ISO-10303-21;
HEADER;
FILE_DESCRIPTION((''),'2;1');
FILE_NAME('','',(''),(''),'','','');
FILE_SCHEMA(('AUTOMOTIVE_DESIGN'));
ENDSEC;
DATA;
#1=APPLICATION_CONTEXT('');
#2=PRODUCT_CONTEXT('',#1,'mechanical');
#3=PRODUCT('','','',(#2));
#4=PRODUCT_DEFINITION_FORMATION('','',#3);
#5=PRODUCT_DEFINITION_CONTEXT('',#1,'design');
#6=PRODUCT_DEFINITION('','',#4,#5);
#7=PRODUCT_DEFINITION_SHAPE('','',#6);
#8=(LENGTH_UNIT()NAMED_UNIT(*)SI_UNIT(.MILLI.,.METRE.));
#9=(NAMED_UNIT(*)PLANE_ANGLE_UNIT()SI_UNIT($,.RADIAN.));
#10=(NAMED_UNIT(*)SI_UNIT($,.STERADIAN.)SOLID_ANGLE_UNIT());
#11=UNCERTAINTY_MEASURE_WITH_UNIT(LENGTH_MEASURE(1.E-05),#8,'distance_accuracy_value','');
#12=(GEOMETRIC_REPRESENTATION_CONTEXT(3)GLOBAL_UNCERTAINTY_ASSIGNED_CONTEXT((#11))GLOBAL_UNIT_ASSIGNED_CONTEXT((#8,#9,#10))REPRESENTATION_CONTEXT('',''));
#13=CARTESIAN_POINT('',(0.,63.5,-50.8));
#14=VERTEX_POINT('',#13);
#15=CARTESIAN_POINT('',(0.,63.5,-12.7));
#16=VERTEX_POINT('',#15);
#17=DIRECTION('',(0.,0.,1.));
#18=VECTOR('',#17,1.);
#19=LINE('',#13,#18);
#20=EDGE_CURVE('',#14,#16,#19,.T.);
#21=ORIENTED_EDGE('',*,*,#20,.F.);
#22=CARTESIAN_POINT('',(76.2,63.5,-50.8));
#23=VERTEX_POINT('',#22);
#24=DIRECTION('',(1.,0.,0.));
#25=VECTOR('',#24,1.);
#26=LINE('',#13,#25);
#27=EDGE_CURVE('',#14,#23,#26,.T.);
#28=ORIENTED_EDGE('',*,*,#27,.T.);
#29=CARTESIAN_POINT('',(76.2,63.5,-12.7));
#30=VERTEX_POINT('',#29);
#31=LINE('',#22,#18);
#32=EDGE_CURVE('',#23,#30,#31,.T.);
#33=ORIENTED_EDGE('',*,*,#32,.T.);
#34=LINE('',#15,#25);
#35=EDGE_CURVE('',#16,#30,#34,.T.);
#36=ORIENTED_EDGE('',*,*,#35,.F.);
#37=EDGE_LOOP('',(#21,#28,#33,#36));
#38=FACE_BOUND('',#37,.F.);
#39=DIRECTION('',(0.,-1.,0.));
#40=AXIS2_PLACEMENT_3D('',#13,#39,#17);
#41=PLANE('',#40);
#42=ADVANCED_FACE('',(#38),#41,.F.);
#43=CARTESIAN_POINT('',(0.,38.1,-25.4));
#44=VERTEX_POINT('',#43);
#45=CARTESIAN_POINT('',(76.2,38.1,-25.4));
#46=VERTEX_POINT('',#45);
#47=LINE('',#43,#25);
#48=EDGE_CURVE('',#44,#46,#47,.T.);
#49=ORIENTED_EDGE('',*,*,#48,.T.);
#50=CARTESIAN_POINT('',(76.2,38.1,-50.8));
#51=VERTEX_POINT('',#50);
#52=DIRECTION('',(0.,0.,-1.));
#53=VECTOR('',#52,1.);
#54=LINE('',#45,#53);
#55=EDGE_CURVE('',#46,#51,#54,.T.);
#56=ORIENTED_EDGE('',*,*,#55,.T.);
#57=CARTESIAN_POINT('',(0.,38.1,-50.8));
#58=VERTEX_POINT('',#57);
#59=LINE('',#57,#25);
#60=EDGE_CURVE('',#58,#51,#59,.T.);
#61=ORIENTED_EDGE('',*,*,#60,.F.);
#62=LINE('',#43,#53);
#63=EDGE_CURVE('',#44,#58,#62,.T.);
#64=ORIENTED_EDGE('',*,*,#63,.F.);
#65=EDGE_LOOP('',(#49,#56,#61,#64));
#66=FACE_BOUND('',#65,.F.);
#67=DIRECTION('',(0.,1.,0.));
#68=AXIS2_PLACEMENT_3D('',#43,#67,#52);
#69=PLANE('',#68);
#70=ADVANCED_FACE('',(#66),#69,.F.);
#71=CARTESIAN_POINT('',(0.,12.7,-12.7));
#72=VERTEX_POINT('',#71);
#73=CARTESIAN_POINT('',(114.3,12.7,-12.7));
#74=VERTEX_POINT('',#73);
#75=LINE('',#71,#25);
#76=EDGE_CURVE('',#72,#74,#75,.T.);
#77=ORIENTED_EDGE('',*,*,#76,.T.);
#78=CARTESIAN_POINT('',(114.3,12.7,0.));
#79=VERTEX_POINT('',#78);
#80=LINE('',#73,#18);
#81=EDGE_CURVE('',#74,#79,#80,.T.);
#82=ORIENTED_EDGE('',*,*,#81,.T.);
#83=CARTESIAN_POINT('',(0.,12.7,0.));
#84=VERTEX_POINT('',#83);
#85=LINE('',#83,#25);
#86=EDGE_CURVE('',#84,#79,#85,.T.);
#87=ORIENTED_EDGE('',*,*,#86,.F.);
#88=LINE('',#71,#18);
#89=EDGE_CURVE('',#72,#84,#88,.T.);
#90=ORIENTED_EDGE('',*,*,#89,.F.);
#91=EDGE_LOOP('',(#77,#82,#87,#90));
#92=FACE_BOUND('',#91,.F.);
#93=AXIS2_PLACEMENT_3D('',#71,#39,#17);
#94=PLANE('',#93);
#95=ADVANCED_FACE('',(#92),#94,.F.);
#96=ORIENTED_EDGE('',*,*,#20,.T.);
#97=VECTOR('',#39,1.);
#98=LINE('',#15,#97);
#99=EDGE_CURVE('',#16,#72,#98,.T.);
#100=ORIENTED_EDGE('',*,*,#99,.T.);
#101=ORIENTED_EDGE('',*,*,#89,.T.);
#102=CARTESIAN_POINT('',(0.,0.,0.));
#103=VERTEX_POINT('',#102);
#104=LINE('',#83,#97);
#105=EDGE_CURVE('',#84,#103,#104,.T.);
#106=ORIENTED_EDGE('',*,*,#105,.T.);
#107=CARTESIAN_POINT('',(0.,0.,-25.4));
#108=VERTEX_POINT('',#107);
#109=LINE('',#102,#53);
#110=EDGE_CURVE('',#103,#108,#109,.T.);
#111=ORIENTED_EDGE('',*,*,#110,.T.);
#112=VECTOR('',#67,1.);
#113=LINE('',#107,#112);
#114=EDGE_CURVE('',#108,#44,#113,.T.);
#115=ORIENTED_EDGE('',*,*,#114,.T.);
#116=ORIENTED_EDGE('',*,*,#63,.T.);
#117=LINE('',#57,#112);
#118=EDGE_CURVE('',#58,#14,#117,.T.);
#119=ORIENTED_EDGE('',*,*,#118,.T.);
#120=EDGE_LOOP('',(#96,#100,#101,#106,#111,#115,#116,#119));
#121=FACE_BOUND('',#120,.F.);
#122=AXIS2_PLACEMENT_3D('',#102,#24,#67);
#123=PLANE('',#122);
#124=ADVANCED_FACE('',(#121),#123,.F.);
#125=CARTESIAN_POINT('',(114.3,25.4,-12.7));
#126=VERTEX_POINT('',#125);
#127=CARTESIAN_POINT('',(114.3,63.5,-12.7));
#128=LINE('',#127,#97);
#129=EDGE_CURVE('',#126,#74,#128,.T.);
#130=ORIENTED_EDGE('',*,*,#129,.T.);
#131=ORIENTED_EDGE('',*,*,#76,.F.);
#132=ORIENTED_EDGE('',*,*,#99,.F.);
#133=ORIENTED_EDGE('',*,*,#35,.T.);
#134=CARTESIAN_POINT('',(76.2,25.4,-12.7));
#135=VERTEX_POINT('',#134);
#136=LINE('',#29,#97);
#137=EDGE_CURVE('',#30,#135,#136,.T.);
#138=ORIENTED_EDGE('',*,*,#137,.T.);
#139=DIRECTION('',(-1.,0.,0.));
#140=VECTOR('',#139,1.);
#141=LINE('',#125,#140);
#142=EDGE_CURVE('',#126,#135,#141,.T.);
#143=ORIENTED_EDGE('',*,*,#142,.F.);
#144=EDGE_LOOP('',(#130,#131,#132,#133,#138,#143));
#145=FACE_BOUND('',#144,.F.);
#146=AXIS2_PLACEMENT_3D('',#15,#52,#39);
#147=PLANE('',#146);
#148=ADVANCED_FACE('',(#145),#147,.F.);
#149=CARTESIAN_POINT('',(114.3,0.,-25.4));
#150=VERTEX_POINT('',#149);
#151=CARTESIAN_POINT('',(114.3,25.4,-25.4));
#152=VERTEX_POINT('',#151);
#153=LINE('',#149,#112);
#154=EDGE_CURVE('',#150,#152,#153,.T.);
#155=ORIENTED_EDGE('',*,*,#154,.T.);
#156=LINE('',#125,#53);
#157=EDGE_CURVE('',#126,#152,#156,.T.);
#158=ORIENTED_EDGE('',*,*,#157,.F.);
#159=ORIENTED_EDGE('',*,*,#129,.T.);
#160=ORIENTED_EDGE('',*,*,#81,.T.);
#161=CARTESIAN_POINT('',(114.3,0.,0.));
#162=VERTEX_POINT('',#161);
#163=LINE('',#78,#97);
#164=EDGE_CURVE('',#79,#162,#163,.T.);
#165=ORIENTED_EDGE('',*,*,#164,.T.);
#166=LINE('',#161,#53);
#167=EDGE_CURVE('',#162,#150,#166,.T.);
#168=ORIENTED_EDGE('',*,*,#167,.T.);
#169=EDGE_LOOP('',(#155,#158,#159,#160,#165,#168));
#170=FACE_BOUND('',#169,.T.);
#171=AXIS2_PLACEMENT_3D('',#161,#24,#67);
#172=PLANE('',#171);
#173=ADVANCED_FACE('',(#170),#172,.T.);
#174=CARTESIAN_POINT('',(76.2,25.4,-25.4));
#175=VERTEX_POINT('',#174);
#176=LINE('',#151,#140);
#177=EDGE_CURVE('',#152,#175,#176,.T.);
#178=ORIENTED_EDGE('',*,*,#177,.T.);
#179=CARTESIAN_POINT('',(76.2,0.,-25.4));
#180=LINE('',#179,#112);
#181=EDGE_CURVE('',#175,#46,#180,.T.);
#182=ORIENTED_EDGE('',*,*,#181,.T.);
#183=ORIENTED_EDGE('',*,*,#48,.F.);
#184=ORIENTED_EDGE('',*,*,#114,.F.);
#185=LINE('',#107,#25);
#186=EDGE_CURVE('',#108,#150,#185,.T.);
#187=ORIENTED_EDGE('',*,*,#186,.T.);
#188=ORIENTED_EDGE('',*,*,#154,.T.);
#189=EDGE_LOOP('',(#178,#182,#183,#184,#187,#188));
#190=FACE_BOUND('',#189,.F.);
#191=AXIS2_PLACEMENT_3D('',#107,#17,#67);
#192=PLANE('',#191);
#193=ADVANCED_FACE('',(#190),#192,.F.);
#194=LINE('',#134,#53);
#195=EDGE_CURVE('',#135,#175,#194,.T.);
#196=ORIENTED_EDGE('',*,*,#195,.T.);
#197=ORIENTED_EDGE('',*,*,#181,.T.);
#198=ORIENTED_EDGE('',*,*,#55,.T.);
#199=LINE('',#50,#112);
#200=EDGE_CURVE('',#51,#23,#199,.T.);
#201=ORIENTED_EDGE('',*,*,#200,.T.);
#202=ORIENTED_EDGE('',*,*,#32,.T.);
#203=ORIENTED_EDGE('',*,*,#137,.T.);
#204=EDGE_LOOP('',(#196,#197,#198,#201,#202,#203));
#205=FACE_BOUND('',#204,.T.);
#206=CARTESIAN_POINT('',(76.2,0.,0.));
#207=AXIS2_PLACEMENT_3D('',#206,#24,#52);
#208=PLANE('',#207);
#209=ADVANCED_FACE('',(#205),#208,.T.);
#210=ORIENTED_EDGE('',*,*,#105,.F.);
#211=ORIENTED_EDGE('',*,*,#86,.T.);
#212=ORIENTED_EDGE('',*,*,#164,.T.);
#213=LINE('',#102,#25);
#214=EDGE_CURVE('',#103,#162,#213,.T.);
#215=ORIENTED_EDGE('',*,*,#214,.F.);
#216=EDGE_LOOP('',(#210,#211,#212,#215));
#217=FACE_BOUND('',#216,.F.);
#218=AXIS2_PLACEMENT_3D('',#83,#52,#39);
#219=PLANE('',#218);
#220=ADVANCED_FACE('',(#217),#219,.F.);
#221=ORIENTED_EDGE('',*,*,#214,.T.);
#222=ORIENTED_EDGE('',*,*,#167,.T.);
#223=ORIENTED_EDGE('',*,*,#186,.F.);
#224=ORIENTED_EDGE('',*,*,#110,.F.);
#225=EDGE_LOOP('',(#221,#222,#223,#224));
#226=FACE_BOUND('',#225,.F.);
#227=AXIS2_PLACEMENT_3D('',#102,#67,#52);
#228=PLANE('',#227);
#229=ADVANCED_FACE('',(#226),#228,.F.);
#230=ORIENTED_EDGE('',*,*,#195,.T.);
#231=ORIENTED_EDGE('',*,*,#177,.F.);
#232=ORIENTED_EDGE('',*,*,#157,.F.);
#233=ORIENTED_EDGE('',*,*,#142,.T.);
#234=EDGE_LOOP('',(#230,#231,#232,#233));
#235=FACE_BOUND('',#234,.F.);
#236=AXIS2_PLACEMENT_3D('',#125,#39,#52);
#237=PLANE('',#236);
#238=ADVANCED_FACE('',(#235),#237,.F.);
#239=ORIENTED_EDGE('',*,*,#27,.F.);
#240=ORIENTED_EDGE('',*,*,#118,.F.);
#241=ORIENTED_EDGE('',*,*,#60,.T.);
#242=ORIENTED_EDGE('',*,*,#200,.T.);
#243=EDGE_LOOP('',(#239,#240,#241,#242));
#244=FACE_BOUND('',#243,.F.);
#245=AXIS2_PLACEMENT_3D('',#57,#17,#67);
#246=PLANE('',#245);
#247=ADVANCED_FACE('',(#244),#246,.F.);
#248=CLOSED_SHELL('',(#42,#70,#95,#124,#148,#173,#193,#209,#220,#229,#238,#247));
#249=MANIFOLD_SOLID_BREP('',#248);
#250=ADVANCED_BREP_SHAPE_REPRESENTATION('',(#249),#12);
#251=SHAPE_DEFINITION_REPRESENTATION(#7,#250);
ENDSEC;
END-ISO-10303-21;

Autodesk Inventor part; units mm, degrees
ref_plane "YZ Plane" through (0, 0, 0) normal (1, 0, 0) x (0, 1, 0)
ref_plane "XZ Plane" through (0, 0, 0) normal (0, 1, 0) x (-1, 0, 0)
ref_plane "XY Plane" through (0, 0, 0) normal (0, 0, 1) x (1, 0, 0)
sketch "Sketch1" plane through (0, 0, 0) normal (1, 0, 0) x (0, 1, 0)
  line L0 (0, 0) -> (0, -25.4)
  line L1 (0, -25.4) -> (38.1, -25.4)
  line L2 (38.1, -25.4) -> (38.1, -50.8)
  line L3 (38.1, -50.8) -> (63.5, -50.8)
  line L4 (63.5, -50.8) -> (63.5, -12.7)
  line L5 (63.5, -12.7) -> (12.7, -12.7)
  line L6 (12.7, -12.7) -> (12.7, 0)
  line L7 (12.7, 0) -> (0, 0)
  dimension "d0" = 25.4
  dimension "d1" = 38.1
  dimension "d2" = 25.4
  dimension "d3" = 25.4
  dimension "d4" = 38.1
  dimension "d5" = 50.8
extrude "Extrusion1" add sketch "Sketch1" along normal blind 114.3
sketch "Sketch2" plane through (114.3, 0, 0) normal (1, 0, 0) x (0, 0, -1)
  line L0 (50.8, 38.1) -> (50.8, 63.5) projected
  line L1 (50.8, 38.1) -> (50.8, 63.5)
  line L2 (50.8, 63.5) -> (12.7, 63.5) projected
  line L3 (50.8, 63.5) -> (12.7, 63.5)
  line L4 (12.7, 63.5) -> (12.7, 25.4)
  line L5 (12.7, 63.5) -> (12.7, 12.7) projected
  line L6 (12.7, 25.4) -> (25.4, 25.4)
  line L7 (25.4, 0) -> (25.4, 38.1) projected
  line L8 (25.4, 25.4) -> (25.4, 38.1)
  line L9 (25.4, 38.1) -> (50.8, 38.1)
  point P0 (0, 0)
  dimension "d8" = 38.1
extrude "Extrusion2" cut sketch "Sketch2" against normal blind 38.1
properties part number "Model Creation 4"
